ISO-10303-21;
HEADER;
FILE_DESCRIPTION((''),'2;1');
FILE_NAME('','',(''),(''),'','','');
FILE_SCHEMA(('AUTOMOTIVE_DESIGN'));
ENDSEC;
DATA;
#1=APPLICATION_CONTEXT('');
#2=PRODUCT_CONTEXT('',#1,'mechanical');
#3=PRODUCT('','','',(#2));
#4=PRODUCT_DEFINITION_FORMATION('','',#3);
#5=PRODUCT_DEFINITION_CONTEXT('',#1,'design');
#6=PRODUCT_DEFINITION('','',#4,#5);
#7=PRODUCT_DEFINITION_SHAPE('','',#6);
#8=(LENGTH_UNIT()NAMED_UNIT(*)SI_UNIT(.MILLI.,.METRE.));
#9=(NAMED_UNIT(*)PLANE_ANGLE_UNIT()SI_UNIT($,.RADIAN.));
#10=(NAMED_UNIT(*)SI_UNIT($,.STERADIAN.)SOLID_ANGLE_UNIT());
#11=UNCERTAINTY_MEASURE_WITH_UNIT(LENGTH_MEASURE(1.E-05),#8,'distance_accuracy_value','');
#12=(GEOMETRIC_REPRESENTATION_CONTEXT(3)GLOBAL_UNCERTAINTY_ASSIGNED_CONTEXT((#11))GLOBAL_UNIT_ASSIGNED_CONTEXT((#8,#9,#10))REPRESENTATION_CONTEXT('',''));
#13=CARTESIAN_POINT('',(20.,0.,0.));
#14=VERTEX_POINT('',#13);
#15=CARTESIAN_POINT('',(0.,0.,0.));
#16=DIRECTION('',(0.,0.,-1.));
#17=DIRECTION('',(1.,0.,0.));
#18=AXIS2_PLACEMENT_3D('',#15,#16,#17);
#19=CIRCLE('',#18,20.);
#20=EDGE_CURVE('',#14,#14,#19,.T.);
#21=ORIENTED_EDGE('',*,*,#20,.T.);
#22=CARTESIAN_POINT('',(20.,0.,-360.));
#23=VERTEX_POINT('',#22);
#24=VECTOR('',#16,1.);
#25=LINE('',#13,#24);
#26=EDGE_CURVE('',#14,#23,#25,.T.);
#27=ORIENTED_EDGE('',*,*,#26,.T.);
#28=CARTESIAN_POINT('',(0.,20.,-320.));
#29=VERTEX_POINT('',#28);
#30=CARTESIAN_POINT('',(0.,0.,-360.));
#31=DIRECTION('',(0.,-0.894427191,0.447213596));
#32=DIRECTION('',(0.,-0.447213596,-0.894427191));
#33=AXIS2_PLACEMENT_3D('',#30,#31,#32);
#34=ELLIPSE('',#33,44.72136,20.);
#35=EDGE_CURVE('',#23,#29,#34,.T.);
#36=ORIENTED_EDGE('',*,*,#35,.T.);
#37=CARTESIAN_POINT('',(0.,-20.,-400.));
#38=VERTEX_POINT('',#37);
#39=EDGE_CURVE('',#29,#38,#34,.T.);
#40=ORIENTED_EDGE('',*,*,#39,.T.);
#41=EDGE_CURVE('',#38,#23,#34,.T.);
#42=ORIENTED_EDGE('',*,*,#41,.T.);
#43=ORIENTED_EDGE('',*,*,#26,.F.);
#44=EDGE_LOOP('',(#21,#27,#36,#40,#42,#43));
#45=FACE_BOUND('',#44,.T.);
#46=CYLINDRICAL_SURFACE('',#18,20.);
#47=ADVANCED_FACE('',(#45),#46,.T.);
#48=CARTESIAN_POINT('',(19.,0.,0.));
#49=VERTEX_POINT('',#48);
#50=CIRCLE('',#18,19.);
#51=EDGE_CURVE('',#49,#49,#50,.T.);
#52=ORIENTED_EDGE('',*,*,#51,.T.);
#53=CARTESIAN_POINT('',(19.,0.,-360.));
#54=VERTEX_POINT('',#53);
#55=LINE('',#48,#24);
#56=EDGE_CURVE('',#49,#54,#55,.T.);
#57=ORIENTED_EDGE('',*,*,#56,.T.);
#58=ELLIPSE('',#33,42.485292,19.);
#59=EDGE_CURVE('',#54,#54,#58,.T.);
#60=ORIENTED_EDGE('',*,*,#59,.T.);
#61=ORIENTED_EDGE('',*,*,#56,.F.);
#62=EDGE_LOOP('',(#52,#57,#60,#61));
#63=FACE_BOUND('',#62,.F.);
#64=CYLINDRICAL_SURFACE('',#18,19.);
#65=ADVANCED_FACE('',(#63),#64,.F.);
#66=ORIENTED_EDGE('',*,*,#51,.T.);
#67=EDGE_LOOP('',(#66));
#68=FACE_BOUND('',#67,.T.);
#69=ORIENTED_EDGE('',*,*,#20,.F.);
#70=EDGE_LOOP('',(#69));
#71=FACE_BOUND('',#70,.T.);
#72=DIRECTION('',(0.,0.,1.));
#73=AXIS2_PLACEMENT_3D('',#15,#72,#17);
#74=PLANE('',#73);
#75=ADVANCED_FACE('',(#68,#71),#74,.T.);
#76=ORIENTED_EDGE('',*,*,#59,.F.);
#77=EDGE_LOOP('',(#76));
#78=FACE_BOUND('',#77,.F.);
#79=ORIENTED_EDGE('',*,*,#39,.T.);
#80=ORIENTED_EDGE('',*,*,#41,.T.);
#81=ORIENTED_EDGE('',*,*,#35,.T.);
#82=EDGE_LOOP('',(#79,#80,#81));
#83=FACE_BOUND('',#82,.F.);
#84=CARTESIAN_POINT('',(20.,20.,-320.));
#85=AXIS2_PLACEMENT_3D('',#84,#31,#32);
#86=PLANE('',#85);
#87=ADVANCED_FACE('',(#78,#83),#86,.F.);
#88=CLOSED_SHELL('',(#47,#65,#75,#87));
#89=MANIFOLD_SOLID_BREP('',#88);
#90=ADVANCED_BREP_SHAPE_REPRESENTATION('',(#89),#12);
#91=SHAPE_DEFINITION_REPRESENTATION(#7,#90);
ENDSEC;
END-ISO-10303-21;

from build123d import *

# Parameters (mm, degrees)
F1_R     = 20
F1_R_2   = 19
F5_DEPTH = 40.001


with BuildPart() as f2:
    # F2: sweep along a path in F0
    with BuildLine(Plane.YZ) as f2_path:
        Line((0, 0), (0, -400))
    # F1 (on Top) → F2 (sweep)
    with BuildSketch(Plane.XY):
        Circle(F1_R)
        Circle(F1_R_2, mode=Mode.SUBTRACT)
    sweep(path=f2_path.line)

    # F4 (on offset) → F5 (cut, through all)
    with BuildSketch(Plane.YZ.offset(20)):
        Polygon((20, -400), (20, -320), (-20, -400), align=None)
    extrude(amount=-F5_DEPTH, mode=Mode.SUBTRACT)


solid = f2.part
